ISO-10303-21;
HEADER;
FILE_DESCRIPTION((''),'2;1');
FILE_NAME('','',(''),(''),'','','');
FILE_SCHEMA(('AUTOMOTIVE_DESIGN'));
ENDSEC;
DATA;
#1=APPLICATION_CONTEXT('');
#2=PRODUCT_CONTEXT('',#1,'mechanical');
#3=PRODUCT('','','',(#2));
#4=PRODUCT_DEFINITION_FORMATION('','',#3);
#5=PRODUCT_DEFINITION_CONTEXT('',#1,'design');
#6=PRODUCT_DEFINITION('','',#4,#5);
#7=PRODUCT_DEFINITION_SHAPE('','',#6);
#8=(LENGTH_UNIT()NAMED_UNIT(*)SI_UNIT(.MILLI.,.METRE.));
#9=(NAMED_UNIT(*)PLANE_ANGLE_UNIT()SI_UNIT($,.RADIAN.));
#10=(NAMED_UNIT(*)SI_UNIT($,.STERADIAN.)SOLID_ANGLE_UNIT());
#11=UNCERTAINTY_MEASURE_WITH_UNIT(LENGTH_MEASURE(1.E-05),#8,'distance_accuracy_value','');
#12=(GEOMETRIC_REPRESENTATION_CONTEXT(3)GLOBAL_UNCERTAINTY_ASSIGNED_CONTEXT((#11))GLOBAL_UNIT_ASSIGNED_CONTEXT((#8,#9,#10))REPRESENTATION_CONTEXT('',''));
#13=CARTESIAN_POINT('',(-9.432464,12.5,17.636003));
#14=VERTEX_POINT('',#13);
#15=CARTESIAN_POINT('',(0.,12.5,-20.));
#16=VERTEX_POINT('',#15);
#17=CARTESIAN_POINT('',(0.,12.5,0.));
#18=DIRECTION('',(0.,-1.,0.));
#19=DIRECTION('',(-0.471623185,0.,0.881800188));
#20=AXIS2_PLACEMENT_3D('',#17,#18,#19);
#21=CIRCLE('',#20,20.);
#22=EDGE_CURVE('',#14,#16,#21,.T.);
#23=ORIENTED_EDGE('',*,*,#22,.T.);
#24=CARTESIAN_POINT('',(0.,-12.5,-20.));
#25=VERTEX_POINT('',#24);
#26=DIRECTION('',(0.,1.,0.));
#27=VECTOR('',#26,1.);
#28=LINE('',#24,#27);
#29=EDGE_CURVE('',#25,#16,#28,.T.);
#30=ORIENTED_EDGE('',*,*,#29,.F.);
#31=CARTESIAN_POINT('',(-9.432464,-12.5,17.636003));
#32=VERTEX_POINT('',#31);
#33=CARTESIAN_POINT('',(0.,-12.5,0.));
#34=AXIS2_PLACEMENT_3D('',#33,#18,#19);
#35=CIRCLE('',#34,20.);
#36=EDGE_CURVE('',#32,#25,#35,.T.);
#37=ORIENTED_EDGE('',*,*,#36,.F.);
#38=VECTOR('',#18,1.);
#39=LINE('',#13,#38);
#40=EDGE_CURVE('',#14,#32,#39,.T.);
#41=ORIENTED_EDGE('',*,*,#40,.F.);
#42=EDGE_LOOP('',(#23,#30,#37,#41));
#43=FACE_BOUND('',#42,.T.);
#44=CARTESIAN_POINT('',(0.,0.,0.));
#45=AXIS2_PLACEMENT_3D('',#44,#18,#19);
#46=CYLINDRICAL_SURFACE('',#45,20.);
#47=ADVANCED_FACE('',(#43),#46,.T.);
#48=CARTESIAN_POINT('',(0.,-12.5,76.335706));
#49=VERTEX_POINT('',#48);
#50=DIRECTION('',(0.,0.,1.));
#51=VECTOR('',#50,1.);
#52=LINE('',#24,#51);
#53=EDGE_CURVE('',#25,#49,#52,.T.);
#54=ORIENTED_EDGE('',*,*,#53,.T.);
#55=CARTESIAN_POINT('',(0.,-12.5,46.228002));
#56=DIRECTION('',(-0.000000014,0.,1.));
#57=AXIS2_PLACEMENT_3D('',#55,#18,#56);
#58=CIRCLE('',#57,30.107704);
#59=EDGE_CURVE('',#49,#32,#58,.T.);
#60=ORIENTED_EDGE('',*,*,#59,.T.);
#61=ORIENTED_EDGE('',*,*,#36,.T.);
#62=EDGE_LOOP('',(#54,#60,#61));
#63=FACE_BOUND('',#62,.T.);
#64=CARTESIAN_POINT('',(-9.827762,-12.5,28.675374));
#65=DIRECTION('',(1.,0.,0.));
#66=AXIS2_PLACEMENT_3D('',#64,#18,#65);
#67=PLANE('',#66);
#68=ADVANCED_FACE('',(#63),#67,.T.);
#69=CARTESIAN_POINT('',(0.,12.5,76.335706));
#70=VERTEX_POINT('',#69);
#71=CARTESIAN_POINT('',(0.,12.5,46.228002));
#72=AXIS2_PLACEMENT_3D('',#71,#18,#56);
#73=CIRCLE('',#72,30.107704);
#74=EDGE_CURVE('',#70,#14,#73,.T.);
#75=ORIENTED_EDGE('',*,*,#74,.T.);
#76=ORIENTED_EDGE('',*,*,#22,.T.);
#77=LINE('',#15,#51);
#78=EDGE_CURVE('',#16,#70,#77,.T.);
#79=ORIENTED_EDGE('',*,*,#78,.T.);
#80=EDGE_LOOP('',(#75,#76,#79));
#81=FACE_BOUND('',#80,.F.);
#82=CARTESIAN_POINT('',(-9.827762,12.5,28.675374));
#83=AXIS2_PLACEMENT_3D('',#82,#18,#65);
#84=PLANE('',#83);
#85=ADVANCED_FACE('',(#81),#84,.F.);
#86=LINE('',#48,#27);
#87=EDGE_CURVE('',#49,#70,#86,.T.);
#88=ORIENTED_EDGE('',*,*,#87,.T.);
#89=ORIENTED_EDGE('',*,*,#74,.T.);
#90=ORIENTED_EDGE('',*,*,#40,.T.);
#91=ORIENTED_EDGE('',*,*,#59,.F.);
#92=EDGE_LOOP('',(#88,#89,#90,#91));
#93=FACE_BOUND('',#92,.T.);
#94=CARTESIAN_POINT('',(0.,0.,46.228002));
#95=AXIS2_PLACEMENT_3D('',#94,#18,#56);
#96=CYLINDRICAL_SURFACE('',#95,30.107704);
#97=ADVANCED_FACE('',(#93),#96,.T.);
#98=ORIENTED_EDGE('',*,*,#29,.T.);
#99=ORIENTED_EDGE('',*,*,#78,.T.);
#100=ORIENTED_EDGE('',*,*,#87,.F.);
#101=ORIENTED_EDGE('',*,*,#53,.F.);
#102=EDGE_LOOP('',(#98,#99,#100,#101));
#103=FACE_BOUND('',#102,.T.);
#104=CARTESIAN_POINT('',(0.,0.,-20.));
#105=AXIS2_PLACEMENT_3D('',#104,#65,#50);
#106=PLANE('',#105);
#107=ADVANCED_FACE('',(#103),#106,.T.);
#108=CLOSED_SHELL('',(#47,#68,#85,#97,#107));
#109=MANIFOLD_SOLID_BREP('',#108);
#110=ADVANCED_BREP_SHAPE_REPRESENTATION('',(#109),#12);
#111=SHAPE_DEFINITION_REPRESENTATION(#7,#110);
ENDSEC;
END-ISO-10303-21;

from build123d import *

# Parameters (mm, degrees)
F1_DEPTH = 12.5


with BuildPart() as f1:
    # F0 (on Front) → F1 (new body, symmetric)
    with BuildSketch(Plane.XZ):
        with BuildLine():
            ThreePointArc((0, 76.335706), (-29.726362, 51.004737), (-9.432464, 17.636003))
            ThreePointArc((-9.432464, 17.636003), (-19.400001, -4.862095), (0, -20))
            Line((0, -20), (0, 76.335706))
        make_face()
    extrude(amount=F1_DEPTH, both=True)


solid = f1.part
